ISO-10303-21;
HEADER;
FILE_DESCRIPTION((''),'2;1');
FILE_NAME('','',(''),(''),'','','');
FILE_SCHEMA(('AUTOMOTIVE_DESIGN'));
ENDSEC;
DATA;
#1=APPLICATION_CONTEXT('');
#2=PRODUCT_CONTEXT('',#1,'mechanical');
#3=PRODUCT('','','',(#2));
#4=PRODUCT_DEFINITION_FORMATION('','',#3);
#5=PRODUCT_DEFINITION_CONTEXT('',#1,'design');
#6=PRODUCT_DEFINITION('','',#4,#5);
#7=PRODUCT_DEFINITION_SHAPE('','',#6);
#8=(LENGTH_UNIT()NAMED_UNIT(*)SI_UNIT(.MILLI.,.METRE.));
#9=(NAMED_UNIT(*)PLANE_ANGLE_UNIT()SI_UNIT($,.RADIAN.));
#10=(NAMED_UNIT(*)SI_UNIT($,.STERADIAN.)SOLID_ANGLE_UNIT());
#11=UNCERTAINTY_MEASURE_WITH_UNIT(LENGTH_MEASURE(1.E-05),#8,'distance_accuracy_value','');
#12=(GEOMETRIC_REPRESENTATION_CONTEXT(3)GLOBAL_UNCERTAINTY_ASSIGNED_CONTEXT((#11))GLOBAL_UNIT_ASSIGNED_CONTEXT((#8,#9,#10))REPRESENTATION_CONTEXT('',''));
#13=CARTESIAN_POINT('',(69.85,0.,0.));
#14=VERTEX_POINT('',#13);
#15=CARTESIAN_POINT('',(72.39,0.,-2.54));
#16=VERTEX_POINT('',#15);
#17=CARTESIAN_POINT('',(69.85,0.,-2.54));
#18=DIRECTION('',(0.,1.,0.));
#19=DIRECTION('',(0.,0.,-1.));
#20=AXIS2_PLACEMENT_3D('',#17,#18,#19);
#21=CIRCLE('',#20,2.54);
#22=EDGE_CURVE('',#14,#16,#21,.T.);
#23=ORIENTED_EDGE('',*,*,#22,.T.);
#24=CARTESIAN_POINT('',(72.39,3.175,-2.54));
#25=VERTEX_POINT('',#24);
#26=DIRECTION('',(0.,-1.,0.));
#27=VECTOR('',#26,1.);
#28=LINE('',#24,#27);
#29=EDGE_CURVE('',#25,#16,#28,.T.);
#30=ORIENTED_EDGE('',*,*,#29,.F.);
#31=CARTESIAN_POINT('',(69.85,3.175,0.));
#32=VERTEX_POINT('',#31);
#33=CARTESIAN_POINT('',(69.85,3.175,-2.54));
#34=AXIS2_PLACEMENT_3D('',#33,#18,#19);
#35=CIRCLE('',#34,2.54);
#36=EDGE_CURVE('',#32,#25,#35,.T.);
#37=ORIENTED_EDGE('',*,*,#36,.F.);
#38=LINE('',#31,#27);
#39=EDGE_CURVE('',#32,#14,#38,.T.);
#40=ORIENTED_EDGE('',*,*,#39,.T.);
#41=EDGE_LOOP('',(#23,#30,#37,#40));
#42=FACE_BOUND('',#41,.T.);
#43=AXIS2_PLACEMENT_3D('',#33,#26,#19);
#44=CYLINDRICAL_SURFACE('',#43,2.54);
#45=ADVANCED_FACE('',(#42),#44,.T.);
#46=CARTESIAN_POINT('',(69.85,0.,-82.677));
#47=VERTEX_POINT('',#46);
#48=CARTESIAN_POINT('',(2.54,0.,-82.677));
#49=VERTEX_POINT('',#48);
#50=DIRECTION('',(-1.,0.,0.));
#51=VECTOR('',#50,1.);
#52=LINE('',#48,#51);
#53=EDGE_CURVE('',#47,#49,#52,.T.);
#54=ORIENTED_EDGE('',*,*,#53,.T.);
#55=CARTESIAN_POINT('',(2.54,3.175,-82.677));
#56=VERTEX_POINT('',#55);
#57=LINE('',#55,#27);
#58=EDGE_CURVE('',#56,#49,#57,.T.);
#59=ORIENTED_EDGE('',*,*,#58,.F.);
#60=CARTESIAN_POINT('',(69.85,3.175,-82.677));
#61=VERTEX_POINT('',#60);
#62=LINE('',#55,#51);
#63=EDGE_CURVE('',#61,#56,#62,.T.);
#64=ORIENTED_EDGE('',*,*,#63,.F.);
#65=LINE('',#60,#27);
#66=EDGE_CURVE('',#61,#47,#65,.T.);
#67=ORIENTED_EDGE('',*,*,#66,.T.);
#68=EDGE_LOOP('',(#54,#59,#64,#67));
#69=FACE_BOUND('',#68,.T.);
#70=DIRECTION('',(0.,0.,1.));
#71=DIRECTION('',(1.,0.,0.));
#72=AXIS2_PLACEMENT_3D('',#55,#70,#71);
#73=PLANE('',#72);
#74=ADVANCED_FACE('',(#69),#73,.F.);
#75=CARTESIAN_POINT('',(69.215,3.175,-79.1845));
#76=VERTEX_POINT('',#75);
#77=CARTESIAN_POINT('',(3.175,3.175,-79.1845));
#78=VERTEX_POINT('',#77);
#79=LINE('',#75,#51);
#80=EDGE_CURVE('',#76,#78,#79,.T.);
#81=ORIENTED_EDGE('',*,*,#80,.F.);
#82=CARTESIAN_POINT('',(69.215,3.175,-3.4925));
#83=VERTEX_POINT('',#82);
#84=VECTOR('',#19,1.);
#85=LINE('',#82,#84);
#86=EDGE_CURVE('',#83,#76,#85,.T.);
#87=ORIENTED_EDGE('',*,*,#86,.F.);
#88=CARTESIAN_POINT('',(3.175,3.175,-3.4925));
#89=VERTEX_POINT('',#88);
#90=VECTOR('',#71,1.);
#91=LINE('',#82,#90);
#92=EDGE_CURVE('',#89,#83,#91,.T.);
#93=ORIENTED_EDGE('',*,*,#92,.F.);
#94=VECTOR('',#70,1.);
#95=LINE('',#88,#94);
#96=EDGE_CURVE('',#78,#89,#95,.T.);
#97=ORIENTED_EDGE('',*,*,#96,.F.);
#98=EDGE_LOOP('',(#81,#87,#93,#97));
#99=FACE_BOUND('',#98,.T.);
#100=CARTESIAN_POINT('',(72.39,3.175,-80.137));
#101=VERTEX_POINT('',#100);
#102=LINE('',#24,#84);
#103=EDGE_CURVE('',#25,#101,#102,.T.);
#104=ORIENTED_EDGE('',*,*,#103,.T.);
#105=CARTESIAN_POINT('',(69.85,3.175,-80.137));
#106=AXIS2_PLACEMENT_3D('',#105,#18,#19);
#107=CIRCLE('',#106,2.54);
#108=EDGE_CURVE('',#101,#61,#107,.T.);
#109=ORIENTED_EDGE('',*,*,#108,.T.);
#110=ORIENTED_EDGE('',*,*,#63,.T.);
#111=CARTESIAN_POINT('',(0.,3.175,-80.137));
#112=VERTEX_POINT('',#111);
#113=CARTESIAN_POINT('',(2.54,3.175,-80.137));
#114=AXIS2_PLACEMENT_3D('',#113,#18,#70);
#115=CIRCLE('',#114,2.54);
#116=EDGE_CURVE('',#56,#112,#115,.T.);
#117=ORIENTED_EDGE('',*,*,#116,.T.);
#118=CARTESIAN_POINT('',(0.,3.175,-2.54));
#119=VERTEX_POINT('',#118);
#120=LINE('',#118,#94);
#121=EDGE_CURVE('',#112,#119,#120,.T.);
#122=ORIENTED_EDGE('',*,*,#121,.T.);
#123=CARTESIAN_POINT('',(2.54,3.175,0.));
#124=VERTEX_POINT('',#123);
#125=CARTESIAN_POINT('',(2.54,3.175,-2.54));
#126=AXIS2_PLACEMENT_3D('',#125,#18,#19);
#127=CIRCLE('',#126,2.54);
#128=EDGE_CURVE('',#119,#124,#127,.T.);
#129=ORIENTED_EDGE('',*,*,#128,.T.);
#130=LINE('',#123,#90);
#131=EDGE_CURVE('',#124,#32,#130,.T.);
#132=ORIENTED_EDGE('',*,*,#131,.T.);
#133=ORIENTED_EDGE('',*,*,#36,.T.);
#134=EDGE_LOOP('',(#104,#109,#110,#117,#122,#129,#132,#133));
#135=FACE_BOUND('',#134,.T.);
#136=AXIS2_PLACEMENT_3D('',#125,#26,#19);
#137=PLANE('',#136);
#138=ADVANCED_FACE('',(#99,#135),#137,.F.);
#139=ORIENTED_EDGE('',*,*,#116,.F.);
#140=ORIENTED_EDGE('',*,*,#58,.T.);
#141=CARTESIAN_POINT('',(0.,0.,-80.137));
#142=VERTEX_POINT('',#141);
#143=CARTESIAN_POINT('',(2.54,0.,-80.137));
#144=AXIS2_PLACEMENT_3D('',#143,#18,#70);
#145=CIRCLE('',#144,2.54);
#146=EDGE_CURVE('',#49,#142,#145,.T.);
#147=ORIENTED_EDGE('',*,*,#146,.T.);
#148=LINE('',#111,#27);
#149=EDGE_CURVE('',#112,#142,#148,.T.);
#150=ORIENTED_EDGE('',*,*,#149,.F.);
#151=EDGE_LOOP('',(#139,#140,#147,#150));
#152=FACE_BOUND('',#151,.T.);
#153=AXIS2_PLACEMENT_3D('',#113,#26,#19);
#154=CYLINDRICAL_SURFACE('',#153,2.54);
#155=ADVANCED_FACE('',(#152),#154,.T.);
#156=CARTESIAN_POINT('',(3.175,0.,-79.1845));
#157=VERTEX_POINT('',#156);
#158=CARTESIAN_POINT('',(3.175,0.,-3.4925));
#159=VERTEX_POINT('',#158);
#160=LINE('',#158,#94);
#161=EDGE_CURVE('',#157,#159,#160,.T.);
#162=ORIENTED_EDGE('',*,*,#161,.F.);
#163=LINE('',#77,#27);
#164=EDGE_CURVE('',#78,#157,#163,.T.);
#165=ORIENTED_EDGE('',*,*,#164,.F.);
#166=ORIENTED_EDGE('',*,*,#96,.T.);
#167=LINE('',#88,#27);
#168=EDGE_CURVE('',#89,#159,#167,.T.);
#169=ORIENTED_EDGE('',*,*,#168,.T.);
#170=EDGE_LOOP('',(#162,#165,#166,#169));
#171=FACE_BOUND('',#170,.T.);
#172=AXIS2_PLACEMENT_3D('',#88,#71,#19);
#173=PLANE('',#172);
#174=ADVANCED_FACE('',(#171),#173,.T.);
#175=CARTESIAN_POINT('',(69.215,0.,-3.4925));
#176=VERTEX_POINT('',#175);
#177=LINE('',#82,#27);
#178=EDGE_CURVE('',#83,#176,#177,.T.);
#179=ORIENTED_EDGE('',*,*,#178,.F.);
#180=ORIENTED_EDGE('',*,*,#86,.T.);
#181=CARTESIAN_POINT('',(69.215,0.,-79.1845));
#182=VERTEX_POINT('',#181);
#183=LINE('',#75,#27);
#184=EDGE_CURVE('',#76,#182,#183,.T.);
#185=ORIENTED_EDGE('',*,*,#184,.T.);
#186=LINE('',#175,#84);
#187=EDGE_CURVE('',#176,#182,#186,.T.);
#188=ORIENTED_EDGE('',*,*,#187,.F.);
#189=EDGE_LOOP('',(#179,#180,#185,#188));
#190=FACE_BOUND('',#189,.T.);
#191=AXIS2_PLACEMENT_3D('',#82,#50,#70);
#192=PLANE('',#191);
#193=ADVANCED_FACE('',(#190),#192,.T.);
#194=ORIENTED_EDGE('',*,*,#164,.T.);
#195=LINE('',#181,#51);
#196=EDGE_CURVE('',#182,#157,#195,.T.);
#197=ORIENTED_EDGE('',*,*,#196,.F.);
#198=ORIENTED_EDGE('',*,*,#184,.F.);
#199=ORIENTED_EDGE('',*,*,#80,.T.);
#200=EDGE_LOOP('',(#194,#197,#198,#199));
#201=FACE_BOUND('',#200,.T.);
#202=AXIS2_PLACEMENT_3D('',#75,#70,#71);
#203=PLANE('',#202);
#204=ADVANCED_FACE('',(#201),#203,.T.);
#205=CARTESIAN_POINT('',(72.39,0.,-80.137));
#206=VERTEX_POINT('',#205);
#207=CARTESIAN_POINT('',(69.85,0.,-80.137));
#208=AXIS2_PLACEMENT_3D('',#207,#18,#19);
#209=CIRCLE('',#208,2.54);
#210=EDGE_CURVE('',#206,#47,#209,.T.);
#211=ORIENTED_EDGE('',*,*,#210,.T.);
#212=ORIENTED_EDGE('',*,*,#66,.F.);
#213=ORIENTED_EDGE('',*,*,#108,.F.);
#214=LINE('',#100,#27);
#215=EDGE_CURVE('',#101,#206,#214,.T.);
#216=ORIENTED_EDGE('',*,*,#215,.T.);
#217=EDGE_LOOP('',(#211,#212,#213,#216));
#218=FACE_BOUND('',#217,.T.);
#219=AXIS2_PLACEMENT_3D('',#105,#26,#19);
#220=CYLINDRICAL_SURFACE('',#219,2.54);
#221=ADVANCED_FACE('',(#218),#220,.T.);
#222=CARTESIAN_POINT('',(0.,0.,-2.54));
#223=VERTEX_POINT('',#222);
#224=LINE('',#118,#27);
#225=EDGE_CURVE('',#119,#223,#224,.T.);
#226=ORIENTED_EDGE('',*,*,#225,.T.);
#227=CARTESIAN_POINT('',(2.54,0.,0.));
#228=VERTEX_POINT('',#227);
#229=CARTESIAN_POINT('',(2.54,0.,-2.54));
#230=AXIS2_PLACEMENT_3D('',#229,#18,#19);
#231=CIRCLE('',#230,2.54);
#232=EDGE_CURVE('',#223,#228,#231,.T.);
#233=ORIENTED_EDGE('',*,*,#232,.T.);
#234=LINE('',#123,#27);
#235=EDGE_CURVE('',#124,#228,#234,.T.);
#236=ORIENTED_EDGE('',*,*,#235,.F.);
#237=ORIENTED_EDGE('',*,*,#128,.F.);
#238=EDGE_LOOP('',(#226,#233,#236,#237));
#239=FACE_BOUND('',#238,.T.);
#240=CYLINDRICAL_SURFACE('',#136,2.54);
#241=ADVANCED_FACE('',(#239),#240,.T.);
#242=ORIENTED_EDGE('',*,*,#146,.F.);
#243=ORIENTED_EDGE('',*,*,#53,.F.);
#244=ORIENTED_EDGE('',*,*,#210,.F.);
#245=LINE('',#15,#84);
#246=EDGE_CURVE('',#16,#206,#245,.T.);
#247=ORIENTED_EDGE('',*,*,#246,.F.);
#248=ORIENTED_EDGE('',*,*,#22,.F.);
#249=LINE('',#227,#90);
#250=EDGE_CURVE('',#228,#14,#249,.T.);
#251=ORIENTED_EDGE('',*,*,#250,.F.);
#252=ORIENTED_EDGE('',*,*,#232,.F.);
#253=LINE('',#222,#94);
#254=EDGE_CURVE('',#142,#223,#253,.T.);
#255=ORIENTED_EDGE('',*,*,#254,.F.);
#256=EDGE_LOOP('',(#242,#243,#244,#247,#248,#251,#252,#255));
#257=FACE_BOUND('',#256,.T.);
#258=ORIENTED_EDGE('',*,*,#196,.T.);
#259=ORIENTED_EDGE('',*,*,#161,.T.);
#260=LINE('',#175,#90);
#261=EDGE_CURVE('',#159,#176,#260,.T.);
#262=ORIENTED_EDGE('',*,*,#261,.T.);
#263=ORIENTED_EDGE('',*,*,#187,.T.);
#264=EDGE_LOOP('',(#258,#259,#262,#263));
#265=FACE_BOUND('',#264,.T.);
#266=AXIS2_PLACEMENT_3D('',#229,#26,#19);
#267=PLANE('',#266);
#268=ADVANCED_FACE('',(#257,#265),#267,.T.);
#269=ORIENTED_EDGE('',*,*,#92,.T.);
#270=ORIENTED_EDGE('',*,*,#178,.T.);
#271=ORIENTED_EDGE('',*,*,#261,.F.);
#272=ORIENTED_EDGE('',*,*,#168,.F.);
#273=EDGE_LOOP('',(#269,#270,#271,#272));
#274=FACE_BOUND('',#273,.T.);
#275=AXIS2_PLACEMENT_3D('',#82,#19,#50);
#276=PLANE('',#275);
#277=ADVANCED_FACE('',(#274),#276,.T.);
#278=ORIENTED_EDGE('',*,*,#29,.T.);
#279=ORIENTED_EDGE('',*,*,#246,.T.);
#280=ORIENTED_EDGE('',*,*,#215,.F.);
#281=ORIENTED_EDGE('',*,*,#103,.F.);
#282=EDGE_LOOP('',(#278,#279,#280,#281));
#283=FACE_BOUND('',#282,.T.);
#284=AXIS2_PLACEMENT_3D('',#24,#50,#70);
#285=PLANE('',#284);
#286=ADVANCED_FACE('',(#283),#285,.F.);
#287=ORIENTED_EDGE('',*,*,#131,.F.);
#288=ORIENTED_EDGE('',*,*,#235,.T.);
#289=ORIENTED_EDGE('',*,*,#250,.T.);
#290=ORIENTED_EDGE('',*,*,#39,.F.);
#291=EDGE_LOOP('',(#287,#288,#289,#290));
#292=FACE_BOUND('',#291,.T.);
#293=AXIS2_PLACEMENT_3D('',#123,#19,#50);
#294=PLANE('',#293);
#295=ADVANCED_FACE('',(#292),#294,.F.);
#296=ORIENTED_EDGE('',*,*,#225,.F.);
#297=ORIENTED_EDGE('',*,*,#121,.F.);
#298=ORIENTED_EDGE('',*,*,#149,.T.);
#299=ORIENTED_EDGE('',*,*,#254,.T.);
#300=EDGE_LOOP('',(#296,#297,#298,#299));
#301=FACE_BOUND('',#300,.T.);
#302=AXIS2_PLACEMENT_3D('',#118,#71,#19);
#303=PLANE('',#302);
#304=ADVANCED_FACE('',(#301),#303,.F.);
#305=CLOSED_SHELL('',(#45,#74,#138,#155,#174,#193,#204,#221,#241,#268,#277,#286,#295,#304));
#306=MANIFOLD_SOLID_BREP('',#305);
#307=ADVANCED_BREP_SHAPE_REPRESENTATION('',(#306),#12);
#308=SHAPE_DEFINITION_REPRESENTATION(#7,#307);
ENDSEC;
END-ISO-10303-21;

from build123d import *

# Parameters (mm, degrees)
SKETCH1_W           = 66.04
SKETCH1_H           = 75.692
BOSS_EXTRUDE2_DEPTH = 3.175


with BuildPart() as part:
    # Sketch1 → Boss-Extrude2 (new body)
    with BuildSketch(Plane(origin=(0, 0, 0), x_dir=(1, 0, 0), z_dir=(0, 1, 0))):
        with BuildLine():
            Line((2.54, 0), (69.85, 0))
            ThreePointArc((69.85, 0), (71.646051224, 0.743948776), (72.39, 2.54))
            Line((72.39, 2.54), (72.39, 80.137))
            ThreePointArc((72.39, 80.137), (71.646051224, 81.933051224), (69.85, 82.677))
            Line((69.85, 82.677), (2.54, 82.677))
            ThreePointArc((2.54, 82.677), (0.743948776, 81.933051224), (0, 80.137))
            Line((0, 80.137), (0, 2.54))
            ThreePointArc((0, 2.54), (0.743948776, 0.743948776), (2.54, 0))
        make_face()
        with Locations((36.195, 41.3385)):
            Rectangle(SKETCH1_W, SKETCH1_H, mode=Mode.SUBTRACT)
    extrude(amount=BOSS_EXTRUDE2_DEPTH)


solid = part.part
